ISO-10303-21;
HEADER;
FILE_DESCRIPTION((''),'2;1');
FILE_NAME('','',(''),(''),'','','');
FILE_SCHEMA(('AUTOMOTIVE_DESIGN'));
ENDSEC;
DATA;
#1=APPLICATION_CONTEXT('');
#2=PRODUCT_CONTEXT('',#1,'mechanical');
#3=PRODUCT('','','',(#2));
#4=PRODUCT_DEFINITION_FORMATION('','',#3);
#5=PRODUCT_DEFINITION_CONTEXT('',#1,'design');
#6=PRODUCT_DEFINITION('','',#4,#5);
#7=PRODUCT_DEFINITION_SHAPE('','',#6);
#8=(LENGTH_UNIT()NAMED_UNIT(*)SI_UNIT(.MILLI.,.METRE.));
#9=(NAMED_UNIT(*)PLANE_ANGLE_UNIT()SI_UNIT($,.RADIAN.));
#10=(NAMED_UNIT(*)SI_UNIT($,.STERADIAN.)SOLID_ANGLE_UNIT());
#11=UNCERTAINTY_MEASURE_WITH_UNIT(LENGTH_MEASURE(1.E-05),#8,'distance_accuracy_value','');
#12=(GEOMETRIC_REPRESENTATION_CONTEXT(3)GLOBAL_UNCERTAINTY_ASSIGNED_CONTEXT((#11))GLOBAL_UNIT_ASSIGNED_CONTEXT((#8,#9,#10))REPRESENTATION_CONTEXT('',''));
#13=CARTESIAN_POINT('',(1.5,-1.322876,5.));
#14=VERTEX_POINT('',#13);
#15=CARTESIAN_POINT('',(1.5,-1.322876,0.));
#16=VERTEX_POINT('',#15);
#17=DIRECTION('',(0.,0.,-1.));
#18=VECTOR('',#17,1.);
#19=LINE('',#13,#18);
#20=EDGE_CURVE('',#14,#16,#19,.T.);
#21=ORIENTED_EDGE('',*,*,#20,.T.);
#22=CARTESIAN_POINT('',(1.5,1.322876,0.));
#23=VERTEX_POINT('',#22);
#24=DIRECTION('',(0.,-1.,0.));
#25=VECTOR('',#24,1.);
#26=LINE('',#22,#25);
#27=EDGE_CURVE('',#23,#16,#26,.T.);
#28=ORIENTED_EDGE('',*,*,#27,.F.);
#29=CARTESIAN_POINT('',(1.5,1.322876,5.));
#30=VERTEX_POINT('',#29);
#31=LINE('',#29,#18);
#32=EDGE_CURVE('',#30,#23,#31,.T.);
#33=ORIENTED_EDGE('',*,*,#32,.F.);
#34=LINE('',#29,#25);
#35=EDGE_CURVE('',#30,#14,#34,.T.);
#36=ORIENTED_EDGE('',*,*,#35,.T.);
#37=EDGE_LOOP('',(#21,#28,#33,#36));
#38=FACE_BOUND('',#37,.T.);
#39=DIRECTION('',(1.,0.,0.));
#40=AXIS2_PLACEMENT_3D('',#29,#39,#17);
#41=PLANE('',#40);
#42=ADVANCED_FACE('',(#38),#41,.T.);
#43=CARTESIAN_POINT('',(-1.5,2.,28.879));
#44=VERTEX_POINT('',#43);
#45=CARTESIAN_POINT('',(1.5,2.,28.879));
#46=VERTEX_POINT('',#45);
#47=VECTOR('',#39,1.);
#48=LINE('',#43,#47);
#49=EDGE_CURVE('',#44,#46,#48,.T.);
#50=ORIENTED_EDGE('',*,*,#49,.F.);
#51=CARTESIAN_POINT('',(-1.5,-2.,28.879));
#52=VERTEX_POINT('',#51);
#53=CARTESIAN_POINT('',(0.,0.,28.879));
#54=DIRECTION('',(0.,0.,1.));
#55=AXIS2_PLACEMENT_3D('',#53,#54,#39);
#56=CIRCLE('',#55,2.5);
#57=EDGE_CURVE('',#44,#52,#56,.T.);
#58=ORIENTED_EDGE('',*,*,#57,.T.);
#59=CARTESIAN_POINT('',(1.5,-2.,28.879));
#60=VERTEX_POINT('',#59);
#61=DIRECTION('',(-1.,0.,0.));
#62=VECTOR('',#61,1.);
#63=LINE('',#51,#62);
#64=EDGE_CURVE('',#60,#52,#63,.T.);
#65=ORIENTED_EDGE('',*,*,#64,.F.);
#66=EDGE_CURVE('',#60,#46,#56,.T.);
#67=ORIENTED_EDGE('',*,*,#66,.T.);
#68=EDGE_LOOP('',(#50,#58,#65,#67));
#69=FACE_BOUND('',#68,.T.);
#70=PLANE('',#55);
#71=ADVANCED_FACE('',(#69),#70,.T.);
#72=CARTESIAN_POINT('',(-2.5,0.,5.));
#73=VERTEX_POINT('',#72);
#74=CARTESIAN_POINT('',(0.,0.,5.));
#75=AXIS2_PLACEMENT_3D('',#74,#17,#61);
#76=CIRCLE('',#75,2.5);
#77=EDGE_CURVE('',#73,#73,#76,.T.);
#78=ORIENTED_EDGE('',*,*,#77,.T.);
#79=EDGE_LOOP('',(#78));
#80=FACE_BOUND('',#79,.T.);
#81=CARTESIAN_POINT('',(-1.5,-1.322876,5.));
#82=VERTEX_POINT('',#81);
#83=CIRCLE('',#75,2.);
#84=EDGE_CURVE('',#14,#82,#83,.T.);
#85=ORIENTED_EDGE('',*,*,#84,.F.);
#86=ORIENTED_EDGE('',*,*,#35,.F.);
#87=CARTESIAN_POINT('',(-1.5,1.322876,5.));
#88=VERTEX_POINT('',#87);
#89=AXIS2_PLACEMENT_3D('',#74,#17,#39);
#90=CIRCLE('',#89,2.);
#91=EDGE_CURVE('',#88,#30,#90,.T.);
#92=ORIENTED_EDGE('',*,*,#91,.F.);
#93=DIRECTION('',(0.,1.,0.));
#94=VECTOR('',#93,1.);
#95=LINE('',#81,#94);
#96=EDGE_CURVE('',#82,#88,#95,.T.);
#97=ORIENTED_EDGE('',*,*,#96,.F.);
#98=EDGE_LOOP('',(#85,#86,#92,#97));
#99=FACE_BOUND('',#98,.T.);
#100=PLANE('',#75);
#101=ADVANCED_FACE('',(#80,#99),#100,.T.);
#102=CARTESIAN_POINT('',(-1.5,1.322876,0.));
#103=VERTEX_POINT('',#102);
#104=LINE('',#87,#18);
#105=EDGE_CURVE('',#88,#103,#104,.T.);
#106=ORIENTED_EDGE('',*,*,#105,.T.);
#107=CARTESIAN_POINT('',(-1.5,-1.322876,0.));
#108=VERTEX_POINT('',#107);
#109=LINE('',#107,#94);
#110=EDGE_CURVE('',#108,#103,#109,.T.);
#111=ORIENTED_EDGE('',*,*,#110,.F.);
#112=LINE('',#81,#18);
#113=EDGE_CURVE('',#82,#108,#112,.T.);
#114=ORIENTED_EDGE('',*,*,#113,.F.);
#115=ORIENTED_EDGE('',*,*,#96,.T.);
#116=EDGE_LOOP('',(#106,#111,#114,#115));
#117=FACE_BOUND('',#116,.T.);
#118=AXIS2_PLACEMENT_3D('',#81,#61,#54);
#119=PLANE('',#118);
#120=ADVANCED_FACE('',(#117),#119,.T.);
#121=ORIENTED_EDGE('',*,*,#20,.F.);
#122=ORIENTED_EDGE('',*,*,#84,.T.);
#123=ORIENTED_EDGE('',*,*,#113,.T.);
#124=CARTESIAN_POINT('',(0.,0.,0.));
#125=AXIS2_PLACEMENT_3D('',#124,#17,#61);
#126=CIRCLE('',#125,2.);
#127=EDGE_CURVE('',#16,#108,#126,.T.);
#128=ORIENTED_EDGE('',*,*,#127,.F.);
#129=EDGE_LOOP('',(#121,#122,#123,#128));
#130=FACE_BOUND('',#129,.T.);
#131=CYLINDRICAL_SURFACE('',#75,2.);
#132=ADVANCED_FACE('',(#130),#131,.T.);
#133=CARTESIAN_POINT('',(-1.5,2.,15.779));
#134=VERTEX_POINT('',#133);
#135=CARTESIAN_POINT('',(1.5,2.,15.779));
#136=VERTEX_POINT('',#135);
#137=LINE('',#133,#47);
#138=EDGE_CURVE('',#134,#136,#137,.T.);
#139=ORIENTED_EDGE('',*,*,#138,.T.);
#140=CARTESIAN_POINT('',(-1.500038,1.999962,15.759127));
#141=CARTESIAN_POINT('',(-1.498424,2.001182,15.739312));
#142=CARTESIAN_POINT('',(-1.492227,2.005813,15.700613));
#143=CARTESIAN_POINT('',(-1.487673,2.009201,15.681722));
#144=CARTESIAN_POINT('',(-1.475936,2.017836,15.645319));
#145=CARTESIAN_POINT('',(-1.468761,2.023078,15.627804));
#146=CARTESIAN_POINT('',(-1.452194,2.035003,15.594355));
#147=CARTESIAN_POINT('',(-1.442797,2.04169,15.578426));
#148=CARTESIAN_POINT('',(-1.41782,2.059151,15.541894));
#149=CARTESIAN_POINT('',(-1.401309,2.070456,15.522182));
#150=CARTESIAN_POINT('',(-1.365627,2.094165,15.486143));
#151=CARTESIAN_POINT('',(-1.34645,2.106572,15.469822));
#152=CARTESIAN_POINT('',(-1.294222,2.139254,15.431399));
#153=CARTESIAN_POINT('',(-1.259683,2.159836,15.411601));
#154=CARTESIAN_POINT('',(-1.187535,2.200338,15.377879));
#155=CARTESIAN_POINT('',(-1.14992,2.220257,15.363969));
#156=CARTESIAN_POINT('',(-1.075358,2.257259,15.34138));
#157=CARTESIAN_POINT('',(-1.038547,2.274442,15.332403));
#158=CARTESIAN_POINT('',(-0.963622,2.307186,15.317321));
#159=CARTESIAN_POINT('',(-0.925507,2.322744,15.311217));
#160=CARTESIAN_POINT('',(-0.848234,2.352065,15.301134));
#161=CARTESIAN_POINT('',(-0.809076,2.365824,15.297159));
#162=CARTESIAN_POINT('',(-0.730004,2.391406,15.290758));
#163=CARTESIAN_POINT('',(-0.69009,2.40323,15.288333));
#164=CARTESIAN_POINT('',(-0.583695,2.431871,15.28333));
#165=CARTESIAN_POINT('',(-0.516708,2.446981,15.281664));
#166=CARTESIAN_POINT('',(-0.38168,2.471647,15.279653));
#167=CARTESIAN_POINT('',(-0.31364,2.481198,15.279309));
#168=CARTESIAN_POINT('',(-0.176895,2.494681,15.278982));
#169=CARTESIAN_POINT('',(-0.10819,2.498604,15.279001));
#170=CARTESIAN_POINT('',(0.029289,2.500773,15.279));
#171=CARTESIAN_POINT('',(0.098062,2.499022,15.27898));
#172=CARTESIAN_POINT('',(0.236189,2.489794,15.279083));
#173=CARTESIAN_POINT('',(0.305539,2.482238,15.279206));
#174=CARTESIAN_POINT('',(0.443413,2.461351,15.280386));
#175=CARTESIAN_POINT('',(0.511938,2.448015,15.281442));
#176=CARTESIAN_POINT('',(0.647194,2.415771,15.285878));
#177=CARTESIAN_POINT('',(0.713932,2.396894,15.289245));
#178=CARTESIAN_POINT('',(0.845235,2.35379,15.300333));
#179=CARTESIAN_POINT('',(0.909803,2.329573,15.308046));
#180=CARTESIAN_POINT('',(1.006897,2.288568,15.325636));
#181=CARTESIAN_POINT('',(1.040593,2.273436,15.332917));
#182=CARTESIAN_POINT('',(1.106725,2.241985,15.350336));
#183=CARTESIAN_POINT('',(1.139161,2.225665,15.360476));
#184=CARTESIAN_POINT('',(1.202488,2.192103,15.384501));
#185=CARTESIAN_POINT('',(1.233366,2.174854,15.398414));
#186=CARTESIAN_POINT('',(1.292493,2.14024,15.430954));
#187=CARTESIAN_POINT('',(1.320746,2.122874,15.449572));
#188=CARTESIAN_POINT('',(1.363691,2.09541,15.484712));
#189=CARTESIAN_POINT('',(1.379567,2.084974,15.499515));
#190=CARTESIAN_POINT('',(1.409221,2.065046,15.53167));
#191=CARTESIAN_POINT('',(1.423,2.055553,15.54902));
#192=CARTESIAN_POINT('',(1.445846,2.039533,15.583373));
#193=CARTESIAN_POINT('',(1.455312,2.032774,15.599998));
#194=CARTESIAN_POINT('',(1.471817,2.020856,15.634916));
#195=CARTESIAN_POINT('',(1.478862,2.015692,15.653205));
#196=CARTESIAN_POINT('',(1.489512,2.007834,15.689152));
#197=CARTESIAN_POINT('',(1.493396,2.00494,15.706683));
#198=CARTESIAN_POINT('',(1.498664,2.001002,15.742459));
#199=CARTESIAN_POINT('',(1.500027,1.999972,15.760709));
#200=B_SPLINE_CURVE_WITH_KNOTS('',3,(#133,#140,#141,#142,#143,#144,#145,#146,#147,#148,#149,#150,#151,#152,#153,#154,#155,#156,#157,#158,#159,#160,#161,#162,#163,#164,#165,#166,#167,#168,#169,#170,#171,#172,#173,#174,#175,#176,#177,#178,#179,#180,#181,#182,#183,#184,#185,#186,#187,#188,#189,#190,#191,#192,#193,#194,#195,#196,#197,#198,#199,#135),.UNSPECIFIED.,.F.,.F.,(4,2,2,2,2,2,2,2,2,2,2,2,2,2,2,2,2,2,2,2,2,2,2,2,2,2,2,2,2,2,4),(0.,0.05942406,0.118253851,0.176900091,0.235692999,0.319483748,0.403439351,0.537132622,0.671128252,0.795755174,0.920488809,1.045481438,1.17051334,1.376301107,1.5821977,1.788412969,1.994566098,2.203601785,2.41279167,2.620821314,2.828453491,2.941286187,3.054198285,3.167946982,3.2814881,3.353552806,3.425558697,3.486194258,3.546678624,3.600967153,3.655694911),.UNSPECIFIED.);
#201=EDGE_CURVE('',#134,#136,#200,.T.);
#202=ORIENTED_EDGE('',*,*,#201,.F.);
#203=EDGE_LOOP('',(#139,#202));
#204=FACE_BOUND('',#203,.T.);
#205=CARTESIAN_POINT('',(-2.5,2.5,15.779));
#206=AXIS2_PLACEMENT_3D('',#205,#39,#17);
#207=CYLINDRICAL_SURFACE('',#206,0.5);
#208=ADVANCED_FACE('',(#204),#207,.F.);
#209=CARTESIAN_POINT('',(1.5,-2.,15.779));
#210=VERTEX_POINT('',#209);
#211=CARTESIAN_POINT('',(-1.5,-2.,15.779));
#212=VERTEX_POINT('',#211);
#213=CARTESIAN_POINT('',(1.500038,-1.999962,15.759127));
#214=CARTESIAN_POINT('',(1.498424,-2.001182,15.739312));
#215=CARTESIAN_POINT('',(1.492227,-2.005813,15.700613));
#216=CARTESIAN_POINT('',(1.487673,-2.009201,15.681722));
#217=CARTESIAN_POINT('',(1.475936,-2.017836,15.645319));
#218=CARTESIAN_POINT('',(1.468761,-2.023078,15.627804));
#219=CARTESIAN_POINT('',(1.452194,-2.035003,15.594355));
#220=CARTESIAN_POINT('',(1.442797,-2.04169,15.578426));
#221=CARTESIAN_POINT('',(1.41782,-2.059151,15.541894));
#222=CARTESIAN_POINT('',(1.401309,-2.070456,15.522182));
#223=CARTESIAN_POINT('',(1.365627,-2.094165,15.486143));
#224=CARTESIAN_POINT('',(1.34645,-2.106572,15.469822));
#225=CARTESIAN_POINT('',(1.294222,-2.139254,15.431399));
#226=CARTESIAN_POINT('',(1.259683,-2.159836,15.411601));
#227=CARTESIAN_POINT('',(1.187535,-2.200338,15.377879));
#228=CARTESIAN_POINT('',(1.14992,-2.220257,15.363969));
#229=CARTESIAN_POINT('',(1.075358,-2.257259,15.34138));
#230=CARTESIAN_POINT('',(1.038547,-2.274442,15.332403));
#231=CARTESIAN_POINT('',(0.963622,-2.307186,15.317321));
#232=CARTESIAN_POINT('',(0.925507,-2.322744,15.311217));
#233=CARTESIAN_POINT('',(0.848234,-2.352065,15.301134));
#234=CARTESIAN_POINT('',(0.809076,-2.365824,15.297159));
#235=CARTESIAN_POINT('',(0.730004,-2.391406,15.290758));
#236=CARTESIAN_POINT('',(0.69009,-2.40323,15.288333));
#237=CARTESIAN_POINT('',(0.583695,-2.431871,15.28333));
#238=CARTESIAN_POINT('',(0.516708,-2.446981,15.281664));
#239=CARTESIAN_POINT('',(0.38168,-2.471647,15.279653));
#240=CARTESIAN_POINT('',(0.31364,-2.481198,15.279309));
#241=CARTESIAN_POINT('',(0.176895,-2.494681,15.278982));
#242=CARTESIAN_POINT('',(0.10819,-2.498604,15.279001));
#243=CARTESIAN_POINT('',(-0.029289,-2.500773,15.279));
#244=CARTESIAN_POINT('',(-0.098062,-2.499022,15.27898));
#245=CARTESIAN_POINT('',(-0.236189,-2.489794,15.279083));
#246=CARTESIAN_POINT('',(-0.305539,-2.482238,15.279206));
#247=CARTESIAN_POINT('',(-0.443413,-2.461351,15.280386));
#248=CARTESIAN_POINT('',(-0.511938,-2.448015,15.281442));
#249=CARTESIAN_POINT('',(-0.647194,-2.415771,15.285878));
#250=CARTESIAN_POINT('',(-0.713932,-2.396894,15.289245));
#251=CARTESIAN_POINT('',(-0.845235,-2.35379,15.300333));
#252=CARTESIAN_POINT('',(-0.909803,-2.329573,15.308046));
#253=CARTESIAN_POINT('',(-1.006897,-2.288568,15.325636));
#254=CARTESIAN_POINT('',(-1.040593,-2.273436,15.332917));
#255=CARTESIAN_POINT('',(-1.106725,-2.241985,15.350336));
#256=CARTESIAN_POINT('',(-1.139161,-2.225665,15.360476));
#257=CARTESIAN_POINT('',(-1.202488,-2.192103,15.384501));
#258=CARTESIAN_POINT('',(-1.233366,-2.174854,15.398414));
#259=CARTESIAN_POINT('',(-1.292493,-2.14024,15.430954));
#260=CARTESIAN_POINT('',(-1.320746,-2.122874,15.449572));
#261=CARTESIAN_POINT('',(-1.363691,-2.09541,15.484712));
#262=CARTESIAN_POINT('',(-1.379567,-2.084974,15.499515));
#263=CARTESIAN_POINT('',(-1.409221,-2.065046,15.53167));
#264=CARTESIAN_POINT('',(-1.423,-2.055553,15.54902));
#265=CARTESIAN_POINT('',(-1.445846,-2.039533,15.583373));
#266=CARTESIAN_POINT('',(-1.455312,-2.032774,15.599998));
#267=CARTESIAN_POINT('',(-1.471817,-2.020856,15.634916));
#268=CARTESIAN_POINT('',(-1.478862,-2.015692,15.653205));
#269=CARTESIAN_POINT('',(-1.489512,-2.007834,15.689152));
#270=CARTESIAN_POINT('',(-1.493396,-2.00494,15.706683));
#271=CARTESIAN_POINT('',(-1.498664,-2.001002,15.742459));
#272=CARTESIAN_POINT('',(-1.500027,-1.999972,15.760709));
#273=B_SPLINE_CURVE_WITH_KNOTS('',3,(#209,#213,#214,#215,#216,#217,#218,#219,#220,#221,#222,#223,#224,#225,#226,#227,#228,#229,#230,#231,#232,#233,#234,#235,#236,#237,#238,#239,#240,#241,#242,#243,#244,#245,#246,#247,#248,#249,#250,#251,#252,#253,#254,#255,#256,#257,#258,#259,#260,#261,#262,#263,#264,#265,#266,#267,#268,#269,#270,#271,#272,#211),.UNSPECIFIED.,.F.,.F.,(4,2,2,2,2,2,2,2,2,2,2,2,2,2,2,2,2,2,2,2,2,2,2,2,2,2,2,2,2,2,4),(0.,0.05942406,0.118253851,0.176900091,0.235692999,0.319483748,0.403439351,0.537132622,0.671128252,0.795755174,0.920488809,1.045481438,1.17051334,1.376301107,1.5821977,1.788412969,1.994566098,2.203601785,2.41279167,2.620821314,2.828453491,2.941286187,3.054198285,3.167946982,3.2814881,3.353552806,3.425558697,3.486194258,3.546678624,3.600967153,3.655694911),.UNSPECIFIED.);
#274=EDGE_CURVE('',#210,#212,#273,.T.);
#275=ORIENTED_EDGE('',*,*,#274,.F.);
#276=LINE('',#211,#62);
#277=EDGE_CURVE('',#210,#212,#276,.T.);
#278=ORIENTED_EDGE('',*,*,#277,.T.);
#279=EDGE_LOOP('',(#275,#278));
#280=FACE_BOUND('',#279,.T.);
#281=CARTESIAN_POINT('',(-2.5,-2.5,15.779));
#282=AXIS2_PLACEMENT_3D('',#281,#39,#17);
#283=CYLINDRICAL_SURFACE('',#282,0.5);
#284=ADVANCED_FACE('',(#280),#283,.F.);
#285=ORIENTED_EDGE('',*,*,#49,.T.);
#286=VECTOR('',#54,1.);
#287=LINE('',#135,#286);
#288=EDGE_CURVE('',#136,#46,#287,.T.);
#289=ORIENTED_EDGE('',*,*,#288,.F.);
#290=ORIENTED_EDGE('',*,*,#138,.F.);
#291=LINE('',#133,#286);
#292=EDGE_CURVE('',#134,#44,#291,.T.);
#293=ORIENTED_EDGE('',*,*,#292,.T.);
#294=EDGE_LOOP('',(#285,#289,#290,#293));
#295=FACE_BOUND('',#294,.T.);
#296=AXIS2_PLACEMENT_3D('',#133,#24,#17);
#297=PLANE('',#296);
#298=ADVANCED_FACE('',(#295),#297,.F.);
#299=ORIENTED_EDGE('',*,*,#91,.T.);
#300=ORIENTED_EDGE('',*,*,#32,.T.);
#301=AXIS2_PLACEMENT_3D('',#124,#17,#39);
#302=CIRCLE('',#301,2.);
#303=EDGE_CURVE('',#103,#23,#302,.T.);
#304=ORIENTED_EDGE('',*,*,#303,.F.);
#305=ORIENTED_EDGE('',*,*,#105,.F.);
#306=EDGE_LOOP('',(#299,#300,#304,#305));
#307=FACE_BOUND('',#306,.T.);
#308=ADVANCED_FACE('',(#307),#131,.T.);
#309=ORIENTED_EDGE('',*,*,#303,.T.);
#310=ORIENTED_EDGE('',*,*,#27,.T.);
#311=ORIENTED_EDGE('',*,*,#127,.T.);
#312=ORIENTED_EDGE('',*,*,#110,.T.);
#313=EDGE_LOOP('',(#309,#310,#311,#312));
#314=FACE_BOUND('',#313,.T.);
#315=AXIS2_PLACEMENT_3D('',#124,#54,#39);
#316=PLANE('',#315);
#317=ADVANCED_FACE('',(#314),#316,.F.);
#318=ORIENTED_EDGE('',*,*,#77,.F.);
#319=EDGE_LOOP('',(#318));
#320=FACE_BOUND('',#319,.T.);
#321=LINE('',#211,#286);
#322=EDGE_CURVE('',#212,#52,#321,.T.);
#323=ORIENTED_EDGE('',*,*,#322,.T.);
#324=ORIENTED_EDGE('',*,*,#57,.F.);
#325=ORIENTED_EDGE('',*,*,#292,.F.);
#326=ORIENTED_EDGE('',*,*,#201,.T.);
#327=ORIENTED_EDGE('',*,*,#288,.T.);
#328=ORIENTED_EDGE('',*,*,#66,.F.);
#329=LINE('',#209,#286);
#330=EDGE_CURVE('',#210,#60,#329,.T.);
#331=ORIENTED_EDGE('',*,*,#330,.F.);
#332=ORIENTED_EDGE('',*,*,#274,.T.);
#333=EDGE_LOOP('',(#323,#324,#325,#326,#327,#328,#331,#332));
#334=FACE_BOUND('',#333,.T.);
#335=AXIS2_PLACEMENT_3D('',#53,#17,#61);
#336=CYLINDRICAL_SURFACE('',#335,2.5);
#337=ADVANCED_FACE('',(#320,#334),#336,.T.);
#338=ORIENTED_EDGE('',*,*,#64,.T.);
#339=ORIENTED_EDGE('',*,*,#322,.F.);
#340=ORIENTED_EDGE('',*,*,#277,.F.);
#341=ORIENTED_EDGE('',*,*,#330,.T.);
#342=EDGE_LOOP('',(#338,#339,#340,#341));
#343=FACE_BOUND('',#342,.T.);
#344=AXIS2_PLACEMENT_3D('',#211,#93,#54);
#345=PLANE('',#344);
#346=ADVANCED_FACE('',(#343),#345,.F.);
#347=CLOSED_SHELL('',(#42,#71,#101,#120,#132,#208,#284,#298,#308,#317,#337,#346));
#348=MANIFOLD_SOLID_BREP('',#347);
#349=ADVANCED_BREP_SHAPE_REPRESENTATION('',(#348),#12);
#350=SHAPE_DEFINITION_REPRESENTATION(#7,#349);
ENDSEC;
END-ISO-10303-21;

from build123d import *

# Parameters (mm, degrees)
SKETCH1_R               = 2.5
BOSS_EXTRUDE1_DEPTH     = 28.879
SKETCH2_R               = 2.5
CUT_EXTRUDE1_DEPTH      = 5
CUT_EXTRUDE2_DEPTH      = 13.1
CUT_EXTRUDE3_DEPTH      = 3.5
CUT_EXTRUDE3_DEPTH_BACK = 3.5


with BuildPart() as part:
    # Sketch1 → Boss-Extrude1 (new body)
    with BuildSketch(Plane.XY):
        Circle(SKETCH1_R)
    extrude(amount=BOSS_EXTRUDE1_DEPTH)

    # Sketch2 → Cut-Extrude1 (cut)
    with BuildSketch(Plane(origin=(0, 0, 0), x_dir=(-1, 0, 0), z_dir=(0, 0, -1))):
        Circle(SKETCH2_R)
        with BuildLine():
            Line((-1.5, 1.322875656), (-1.5, -1.322875656))
            ThreePointArc((-1.5, -1.322875656), (0, -2), (1.5, -1.322875656))
            Line((1.5, -1.322875656), (1.5, 1.322875656))
            ThreePointArc((1.5, 1.322875656), (0, 2), (-1.5, 1.322875656))
        make_face(mode=Mode.SUBTRACT)
    extrude(amount=-CUT_EXTRUDE1_DEPTH, mode=Mode.SUBTRACT)

    # Sketch3 → Cut-Extrude2 (cut)
    with BuildSketch(Plane.XY.offset(28.879)):
        with BuildLine():
            Line((-1.5, 2), (1.5, 2))
            ThreePointArc((1.5, 2), (0, 2.5), (-1.5, 2))
        make_face()
        with BuildLine():
            Line((-1.5, -2), (1.5, -2))
            ThreePointArc((1.5, -2), (0, -2.5), (-1.5, -2))
        make_face()
    extrude(amount=-CUT_EXTRUDE2_DEPTH, mode=Mode.SUBTRACT)

    # Sketch4 → Cut-Extrude3 (cut, two sides)
    with BuildSketch(Plane(origin=(0, 0, 0), x_dir=(0, 0, -1), z_dir=(1, 0, 0))) as cut_extrude3_sk:
        with BuildLine():
            Line((-15.779, 2.5), (-15.779, 2))
            ThreePointArc((-15.779, 2), (-15.425446609, 2.146446609), (-15.279, 2.5))
            Line((-15.279, 2.5), (-15.779, 2.5))
        make_face()
        with BuildLine():
            Line((-15.779, -2.5), (-15.779, -2))
            ThreePointArc((-15.779, -2), (-15.425446609, -2.146446609), (-15.279, -2.5))
            Line((-15.279, -2.5), (-15.779, -2.5))
        make_face()
    extrude(amount=CUT_EXTRUDE3_DEPTH, mode=Mode.SUBTRACT)
    extrude(cut_extrude3_sk.sketch, amount=-CUT_EXTRUDE3_DEPTH_BACK, mode=Mode.SUBTRACT)


solid = part.part
